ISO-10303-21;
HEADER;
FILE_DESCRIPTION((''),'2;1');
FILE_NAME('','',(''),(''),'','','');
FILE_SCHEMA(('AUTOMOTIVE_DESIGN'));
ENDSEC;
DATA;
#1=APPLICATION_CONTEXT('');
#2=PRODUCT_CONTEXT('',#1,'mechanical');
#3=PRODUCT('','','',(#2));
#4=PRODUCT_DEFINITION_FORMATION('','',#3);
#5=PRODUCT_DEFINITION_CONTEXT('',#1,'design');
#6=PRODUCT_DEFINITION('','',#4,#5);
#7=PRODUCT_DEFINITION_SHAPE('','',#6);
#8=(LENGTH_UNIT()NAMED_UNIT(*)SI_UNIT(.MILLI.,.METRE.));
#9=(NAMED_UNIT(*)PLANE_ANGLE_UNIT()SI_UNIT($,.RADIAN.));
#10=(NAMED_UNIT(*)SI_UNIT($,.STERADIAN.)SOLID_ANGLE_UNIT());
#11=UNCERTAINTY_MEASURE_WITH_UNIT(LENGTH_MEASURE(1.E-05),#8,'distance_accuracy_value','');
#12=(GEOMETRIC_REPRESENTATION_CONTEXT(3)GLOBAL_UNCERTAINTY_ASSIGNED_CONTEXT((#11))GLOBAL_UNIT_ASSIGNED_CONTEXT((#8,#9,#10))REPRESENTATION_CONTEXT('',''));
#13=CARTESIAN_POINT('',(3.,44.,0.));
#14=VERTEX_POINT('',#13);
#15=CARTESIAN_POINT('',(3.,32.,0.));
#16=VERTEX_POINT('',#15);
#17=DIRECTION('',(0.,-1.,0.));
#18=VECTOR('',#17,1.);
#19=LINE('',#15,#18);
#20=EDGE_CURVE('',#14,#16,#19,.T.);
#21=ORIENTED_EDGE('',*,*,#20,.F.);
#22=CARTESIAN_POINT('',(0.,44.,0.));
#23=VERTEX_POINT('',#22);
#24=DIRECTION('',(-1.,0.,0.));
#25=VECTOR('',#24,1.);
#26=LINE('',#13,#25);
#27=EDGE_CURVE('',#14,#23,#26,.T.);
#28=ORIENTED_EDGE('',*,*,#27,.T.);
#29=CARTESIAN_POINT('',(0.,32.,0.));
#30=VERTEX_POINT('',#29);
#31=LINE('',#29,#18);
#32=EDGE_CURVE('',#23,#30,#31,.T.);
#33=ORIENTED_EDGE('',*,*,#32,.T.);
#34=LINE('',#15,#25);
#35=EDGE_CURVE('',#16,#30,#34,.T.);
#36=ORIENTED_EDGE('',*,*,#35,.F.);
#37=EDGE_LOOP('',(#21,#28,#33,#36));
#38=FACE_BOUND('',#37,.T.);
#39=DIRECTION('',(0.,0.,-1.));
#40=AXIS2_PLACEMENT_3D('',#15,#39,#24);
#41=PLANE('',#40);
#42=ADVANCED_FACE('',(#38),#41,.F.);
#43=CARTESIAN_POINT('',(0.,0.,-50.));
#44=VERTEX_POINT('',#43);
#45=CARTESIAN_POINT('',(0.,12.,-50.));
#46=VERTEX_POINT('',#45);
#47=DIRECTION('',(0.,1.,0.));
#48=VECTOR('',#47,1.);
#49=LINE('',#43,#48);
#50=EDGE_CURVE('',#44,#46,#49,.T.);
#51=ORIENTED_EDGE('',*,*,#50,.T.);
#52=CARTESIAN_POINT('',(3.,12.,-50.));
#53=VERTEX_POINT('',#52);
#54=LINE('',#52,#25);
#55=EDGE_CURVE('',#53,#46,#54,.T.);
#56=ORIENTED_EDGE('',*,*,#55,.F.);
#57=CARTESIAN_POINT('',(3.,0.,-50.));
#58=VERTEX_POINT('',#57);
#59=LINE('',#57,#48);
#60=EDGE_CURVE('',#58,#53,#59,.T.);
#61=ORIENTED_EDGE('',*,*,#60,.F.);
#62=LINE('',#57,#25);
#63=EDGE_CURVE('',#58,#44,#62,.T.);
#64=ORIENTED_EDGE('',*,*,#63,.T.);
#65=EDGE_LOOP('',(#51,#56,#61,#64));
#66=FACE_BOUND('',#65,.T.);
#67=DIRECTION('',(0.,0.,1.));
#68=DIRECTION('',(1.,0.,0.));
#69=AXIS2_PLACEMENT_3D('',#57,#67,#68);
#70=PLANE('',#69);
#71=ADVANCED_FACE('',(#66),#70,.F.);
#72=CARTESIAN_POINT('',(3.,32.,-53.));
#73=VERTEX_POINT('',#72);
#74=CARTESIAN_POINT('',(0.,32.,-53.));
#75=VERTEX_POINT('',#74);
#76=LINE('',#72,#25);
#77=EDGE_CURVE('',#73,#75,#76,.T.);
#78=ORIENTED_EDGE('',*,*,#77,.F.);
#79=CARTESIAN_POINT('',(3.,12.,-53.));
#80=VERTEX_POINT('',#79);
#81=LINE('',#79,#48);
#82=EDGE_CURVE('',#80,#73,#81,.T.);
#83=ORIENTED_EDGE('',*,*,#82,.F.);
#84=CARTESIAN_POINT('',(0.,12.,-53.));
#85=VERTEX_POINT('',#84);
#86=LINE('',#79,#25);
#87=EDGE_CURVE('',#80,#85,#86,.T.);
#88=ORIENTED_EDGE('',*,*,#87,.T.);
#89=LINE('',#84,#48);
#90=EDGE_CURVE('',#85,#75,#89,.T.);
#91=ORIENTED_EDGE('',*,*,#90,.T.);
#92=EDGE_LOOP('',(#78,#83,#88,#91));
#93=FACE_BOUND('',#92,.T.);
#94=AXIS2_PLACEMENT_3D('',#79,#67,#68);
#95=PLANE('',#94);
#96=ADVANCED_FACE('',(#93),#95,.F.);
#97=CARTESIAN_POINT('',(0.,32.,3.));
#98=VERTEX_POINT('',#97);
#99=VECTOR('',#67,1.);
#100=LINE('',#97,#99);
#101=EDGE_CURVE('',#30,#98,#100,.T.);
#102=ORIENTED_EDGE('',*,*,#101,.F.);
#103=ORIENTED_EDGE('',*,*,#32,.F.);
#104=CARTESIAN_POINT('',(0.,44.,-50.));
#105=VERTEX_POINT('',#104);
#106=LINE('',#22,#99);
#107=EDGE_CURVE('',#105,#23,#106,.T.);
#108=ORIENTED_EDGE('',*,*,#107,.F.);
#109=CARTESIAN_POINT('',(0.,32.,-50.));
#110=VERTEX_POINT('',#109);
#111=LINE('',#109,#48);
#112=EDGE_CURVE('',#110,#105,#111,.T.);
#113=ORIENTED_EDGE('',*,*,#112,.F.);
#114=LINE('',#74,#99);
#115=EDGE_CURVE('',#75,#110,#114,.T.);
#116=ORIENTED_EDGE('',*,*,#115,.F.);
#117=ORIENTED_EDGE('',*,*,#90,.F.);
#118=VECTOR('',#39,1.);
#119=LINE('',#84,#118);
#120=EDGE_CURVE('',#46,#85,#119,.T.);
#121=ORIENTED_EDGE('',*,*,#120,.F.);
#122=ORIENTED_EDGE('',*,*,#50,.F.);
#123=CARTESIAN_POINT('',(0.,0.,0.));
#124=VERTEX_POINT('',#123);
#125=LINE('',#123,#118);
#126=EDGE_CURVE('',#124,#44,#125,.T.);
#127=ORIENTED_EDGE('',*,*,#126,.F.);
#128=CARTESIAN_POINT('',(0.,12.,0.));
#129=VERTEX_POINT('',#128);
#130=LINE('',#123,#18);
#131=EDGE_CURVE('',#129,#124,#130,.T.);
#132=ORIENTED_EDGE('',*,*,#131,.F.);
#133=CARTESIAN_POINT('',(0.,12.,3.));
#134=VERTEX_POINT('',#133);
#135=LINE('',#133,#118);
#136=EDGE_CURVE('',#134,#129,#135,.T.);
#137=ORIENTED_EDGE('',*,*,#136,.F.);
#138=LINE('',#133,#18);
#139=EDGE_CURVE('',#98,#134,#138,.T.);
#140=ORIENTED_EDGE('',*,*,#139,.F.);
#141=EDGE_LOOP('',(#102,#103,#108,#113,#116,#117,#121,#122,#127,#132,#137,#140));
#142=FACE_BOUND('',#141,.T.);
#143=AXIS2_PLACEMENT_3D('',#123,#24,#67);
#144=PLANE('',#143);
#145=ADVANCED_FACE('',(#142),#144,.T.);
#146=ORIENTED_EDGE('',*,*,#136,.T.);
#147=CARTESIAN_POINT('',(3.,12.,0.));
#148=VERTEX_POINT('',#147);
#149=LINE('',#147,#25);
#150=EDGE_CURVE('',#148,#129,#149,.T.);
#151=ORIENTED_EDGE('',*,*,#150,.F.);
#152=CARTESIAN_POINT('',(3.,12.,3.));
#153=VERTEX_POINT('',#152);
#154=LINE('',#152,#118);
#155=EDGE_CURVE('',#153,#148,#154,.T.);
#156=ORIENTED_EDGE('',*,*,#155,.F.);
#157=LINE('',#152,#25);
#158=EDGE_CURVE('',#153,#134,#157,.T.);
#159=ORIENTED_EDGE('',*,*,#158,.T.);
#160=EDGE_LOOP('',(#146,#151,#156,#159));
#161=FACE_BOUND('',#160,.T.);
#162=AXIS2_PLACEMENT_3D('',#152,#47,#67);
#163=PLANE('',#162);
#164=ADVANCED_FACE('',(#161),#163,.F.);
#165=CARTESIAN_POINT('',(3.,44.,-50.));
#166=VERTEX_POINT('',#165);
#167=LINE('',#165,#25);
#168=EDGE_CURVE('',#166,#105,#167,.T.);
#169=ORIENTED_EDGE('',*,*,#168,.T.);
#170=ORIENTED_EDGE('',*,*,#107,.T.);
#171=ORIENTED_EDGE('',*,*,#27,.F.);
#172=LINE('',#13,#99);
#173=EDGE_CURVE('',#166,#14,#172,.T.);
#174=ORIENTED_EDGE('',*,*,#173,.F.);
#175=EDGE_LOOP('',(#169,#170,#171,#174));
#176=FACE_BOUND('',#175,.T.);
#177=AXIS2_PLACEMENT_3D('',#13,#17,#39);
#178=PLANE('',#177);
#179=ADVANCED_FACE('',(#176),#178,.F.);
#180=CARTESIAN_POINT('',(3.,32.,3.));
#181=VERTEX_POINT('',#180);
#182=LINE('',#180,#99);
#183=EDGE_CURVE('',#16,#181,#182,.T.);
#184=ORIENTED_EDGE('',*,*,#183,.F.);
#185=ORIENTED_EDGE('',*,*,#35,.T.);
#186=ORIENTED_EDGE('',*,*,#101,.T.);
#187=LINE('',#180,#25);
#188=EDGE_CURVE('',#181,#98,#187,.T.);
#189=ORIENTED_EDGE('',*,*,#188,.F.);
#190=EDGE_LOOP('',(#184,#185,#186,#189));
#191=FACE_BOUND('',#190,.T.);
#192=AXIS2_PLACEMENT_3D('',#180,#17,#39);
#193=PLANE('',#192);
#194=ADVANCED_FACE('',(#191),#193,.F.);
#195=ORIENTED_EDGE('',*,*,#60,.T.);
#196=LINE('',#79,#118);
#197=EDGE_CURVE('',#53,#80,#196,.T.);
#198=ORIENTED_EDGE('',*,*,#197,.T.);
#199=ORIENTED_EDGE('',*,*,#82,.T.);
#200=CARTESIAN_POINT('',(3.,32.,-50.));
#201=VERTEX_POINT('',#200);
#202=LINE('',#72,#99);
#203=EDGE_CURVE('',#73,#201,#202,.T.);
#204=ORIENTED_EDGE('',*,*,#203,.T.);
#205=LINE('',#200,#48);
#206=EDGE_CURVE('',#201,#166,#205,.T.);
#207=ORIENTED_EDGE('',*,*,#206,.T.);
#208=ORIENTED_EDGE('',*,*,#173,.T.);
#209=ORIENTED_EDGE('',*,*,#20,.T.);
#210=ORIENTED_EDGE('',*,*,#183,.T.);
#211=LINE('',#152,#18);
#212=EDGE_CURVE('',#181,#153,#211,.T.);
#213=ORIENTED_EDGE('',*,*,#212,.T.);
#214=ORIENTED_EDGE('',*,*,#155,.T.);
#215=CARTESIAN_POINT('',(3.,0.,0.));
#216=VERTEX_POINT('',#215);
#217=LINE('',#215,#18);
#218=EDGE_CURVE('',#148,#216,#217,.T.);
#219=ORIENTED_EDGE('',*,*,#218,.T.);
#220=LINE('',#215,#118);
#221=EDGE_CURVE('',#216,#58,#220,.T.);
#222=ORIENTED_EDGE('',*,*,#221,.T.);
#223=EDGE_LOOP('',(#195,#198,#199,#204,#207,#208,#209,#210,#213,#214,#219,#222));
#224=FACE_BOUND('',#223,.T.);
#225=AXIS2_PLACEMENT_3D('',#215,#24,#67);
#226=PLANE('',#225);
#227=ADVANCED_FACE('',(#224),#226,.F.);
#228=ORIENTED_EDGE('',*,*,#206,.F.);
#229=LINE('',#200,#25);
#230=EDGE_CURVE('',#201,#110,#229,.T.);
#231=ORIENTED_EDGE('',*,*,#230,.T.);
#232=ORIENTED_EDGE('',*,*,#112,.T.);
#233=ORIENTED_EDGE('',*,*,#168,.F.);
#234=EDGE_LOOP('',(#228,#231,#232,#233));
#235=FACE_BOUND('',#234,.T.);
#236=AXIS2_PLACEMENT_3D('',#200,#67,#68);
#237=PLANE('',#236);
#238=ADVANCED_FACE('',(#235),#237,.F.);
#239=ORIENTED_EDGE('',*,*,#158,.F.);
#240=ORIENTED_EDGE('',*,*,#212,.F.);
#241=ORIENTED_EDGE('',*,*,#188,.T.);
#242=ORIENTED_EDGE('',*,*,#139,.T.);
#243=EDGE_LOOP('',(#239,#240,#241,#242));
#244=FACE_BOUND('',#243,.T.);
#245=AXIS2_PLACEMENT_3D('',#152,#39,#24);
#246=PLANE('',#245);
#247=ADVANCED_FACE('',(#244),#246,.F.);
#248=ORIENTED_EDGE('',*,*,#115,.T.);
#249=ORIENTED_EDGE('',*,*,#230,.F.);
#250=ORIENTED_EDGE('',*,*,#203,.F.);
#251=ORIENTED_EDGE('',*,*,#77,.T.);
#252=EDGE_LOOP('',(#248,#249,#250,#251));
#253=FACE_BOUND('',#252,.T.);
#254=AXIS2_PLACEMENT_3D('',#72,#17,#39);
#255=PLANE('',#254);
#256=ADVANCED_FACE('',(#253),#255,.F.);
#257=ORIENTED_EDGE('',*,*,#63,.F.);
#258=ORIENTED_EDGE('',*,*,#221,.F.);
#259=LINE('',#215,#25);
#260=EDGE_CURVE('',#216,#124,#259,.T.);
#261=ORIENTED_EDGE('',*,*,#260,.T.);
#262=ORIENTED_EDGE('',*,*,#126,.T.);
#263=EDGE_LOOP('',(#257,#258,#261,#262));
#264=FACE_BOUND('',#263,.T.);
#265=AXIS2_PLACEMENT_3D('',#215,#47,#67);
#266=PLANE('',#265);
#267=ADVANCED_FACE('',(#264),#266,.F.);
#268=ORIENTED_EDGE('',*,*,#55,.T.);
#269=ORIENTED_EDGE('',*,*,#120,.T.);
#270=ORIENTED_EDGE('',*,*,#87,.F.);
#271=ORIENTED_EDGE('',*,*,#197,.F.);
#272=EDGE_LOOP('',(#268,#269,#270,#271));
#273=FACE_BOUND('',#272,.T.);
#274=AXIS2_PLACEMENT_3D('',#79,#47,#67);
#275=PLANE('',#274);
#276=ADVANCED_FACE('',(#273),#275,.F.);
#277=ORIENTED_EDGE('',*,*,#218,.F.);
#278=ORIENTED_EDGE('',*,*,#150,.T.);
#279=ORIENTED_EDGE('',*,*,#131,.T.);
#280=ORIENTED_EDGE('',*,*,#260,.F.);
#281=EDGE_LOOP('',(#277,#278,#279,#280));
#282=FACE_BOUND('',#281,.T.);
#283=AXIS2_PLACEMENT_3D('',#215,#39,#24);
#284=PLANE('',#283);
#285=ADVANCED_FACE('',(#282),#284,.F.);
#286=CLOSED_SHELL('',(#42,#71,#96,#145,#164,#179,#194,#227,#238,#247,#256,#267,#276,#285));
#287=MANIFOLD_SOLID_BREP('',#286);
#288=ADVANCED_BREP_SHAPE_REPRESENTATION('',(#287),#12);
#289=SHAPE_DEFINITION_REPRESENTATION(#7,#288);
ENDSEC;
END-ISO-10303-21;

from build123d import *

# Parameters (mm, degrees)
BOSS_EXTRUDE1_DEPTH = 3


with BuildPart() as part:
    # Sketch1 → Boss-Extrude1 (new body)
    with BuildSketch(Plane(origin=(0, 0, 0), x_dir=(0, 0, -1), z_dir=(1, 0, 0))):
        Polygon((0, 0), (50, 0), (50, 12), (53, 12), (53, 32), (50, 32), (50, 44), (0, 44), (0, 32), (-3, 32), (-3, 12), (0, 12), align=None)
    extrude(amount=BOSS_EXTRUDE1_DEPTH)


solid = part.part
